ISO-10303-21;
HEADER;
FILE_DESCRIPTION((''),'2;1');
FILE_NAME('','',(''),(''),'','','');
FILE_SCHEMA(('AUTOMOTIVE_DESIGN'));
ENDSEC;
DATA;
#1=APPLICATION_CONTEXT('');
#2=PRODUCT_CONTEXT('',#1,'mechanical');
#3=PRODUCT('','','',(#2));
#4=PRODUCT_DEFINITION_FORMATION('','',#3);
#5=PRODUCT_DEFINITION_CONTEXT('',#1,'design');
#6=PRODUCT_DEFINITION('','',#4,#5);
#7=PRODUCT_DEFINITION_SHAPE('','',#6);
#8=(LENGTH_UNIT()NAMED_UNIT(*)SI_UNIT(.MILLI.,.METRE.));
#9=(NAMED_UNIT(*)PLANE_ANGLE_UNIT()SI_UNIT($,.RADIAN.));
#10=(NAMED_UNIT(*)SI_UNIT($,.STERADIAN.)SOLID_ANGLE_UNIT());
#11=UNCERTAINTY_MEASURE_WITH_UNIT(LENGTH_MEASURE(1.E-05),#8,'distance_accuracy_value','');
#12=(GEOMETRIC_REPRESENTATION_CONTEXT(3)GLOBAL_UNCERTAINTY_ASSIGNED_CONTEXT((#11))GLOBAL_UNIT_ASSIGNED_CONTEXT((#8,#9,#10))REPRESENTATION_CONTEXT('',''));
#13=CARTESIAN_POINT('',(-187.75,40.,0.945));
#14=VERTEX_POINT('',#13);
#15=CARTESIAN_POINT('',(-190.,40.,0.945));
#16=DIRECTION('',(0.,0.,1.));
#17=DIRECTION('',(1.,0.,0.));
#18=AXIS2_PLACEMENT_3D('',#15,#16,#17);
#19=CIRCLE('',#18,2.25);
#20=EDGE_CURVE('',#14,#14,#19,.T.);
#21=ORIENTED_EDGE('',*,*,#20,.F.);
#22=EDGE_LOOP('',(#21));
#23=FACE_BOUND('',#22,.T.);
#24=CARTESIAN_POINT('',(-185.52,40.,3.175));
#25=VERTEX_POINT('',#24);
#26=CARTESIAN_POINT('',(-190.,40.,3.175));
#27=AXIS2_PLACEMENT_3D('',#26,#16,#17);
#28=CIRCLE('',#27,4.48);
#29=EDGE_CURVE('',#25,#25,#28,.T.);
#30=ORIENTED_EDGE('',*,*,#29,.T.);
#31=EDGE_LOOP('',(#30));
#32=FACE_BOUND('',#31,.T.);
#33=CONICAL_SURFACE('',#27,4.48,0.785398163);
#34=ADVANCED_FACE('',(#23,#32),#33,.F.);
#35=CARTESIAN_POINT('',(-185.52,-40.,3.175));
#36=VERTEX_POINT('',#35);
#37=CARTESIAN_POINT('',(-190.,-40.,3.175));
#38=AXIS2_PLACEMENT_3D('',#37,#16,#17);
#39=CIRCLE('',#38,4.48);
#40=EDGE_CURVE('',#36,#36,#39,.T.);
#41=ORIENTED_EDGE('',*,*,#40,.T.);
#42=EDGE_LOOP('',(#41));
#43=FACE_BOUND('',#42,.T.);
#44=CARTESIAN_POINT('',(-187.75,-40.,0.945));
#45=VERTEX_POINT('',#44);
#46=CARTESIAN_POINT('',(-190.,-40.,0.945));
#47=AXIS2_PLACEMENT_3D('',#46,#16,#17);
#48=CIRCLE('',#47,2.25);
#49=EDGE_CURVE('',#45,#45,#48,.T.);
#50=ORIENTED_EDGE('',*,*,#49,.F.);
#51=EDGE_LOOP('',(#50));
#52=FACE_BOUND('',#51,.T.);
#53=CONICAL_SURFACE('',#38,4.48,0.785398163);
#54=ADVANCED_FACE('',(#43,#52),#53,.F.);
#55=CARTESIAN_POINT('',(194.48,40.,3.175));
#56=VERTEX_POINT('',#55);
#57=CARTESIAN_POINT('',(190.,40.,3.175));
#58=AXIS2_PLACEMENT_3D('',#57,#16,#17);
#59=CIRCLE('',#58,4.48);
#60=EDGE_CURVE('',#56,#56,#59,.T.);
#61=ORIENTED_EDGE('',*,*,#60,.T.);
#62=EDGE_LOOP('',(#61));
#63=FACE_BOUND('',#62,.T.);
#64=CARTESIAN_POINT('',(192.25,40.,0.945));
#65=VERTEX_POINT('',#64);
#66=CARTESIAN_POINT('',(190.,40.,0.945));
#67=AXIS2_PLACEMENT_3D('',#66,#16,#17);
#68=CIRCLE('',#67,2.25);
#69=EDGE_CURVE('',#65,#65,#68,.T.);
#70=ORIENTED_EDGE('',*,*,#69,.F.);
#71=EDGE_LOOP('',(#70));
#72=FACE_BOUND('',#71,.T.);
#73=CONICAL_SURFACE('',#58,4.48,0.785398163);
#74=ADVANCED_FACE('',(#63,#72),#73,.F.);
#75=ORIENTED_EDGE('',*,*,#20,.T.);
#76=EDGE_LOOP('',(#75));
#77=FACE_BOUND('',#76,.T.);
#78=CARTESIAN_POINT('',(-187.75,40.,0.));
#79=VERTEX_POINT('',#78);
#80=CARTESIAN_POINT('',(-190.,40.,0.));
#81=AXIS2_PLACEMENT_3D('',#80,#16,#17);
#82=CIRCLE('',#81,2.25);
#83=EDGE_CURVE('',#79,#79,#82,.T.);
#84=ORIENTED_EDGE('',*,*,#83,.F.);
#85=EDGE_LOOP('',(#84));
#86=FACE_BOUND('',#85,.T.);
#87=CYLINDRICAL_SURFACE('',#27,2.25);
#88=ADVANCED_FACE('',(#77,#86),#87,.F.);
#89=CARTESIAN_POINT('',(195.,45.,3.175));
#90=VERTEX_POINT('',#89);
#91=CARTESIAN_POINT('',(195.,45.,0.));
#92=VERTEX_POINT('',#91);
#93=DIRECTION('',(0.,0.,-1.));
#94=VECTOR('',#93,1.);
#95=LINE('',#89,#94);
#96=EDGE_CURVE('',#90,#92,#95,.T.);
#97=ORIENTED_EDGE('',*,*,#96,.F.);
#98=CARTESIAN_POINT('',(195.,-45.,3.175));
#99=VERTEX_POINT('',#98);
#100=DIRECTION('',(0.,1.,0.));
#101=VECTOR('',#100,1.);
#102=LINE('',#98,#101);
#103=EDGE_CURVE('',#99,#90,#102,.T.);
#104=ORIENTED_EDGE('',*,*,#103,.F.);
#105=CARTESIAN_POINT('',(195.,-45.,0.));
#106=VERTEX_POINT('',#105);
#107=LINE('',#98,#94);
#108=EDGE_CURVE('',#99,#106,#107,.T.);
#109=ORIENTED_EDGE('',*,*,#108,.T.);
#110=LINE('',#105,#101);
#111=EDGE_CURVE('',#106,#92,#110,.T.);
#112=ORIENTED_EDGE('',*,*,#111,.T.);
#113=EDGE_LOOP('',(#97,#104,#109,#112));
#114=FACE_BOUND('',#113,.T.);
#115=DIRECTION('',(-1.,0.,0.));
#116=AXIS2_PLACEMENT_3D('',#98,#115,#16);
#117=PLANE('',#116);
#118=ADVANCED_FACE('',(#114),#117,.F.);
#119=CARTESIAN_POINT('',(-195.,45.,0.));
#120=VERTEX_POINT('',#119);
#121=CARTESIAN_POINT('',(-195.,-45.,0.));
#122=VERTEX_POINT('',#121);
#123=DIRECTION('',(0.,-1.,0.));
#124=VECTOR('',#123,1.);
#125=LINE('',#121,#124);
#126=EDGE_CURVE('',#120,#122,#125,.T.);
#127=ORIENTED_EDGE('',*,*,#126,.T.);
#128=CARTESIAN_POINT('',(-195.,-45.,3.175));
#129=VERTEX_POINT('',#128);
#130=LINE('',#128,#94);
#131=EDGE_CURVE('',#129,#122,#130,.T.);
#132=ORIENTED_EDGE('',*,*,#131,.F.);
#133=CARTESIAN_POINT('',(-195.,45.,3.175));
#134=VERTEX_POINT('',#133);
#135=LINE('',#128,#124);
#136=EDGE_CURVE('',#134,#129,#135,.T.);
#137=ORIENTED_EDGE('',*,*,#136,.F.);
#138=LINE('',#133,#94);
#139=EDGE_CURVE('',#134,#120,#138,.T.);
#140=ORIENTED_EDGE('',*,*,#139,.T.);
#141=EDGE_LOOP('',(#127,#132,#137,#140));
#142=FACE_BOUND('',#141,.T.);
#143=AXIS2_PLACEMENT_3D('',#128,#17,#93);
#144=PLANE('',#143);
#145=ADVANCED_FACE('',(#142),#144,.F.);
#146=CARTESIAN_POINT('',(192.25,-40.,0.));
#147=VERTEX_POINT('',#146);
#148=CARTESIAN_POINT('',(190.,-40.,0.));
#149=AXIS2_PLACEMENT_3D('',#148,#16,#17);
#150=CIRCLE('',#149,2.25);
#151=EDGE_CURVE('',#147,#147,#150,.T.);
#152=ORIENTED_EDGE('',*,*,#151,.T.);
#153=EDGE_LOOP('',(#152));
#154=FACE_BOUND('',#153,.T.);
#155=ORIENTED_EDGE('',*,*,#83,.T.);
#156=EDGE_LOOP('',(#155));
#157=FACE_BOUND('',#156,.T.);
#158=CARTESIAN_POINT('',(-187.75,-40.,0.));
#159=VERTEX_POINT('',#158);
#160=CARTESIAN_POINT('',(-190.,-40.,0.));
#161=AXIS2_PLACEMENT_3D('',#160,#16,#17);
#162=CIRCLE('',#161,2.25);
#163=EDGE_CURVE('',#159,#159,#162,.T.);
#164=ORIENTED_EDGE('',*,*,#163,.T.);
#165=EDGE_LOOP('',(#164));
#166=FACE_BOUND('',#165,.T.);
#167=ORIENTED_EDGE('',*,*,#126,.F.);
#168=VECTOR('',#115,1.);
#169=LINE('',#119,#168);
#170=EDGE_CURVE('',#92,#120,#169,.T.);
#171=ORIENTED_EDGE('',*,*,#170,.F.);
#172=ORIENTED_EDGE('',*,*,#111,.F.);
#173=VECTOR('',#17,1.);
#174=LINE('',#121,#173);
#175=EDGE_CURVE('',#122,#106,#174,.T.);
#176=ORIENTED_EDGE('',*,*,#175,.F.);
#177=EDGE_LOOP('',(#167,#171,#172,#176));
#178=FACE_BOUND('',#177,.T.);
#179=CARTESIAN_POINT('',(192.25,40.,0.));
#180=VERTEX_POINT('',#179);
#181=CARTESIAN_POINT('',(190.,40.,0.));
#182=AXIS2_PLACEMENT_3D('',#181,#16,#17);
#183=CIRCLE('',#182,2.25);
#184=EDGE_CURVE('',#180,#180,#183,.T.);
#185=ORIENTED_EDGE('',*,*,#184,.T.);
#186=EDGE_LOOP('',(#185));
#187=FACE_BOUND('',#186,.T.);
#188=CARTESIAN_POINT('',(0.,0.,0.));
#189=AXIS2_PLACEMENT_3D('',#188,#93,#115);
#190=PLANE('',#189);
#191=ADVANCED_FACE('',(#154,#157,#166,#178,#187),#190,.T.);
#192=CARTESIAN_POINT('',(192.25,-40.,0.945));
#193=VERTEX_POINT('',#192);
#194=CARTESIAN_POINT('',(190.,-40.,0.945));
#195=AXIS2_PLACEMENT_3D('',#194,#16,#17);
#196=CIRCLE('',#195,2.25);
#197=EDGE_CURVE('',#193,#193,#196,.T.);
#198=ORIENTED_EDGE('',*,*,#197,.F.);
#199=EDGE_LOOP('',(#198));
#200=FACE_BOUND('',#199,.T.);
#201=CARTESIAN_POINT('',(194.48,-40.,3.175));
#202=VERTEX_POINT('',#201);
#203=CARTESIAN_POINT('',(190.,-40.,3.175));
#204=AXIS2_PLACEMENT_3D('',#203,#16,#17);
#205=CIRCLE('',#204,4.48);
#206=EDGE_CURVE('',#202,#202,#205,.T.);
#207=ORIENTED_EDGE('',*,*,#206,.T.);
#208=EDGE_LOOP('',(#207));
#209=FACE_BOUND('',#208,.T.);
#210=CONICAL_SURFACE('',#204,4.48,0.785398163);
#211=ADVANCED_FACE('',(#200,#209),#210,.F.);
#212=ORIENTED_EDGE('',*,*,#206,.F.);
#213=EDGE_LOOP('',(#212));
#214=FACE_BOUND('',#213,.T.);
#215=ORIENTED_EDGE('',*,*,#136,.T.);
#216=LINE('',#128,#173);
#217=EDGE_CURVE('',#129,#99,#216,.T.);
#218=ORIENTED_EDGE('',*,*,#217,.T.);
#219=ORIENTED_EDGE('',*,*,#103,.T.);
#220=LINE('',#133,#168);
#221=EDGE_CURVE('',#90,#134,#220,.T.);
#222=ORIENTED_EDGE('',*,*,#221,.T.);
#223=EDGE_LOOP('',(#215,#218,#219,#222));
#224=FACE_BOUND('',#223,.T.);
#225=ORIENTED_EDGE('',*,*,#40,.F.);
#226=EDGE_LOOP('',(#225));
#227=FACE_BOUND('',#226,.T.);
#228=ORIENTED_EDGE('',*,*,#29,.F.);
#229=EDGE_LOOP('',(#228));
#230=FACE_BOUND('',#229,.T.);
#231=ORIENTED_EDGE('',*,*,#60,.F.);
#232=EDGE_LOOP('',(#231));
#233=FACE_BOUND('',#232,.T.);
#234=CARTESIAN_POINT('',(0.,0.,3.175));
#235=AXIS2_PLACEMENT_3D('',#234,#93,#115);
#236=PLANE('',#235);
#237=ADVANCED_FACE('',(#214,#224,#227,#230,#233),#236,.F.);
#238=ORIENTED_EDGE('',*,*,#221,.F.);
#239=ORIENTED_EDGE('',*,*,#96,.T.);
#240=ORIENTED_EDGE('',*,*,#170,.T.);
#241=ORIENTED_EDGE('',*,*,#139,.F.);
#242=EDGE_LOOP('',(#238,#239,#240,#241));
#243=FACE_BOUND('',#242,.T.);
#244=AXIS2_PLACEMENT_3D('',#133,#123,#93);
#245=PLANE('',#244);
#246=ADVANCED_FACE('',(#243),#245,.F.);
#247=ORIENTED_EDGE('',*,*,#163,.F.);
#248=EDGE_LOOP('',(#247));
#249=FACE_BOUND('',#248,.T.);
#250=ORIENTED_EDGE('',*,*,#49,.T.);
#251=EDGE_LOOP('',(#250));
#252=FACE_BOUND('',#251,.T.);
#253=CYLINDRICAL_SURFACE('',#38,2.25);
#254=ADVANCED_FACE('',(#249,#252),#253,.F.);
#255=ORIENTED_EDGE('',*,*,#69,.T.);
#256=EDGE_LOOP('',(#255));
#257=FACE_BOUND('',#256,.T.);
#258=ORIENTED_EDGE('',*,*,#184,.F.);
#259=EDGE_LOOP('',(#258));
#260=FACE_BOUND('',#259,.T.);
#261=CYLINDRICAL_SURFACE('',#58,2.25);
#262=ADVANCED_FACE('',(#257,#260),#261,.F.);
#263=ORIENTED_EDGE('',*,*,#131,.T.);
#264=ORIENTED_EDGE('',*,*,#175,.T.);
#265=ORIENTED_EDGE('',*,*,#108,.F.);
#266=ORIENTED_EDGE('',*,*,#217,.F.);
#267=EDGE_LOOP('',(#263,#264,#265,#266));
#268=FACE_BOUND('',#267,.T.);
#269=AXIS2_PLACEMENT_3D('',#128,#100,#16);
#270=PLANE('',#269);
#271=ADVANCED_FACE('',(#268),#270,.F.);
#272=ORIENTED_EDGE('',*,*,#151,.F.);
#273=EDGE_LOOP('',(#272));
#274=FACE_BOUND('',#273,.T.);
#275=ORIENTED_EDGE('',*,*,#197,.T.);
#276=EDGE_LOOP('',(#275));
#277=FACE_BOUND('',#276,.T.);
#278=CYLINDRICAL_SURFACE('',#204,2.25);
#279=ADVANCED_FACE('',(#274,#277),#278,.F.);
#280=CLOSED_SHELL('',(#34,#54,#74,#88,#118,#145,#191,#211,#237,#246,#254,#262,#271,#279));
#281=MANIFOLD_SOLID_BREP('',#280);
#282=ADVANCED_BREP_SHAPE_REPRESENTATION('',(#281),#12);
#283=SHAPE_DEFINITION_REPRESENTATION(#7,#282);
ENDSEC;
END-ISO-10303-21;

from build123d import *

# Parameters (mm, degrees)
SKETCH1_W                    = 390
SKETCH1_H                    = 90
BOSS_EXTRUDE1_DEPTH          = 3.175
CSK_FOR_M4_SFHCS1_AT_2_COUNT = 2
CSK_FOR_M4_SFHCS1_AT_2_PITCH = 388.329756779
CSK_FOR_M4_SFHCS1_AT_3_COUNT = 2
CSK_FOR_M4_SFHCS1_AT_3_PITCH = 380
CSK_FOR_M4_SFHCS1_AT_4_COUNT = 2
CSK_FOR_M4_SFHCS1_AT_4_PITCH = 80


with BuildPart() as part:
    # Sketch1 → Boss-Extrude1 (new body)
    with BuildSketch(Plane.XY):
        Rectangle(SKETCH1_W, SKETCH1_H)
    extrude(amount=BOSS_EXTRUDE1_DEPTH)

    # Sketch3 → CSK for M4 SFHCS1 (revolve, cut)
    with BuildSketch(Plane(origin=(190, 40, 3.175), x_dir=(0, -1, 0), z_dir=(1, 0, 0))):
        Polygon((0, 0), (0, 3.175), (2.25, 3.175), (2.25, 2.23), (4.48, 0), align=None)
    csk_for_m4_sfhcs1 = revolve(axis=Axis((190, 40, 9.525), (0, 0, -1)), mode=Mode.SUBTRACT)

    # CSK for M4 SFHCS1 at 2: CSK for M4 SFHCS1 ×2
    with Locations(*[Vector(-0.9785497849867489, -0.20601048104984204, 0) * (i * CSK_FOR_M4_SFHCS1_AT_2_PITCH) for i in range(1, CSK_FOR_M4_SFHCS1_AT_2_COUNT)]):
        add(csk_for_m4_sfhcs1, mode=Mode.SUBTRACT)

    # CSK for M4 SFHCS1 at 3: CSK for M4 SFHCS1 ×2
    with Locations(*[(-i * CSK_FOR_M4_SFHCS1_AT_3_PITCH, 0, 0) for i in range(1, CSK_FOR_M4_SFHCS1_AT_3_COUNT)]):
        add(csk_for_m4_sfhcs1, mode=Mode.SUBTRACT)

    # CSK for M4 SFHCS1 at 4: CSK for M4 SFHCS1 ×2
    with Locations(*[(0, -i * CSK_FOR_M4_SFHCS1_AT_4_PITCH, 0) for i in range(1, CSK_FOR_M4_SFHCS1_AT_4_COUNT)]):
        add(csk_for_m4_sfhcs1, mode=Mode.SUBTRACT)


solid = part.part
